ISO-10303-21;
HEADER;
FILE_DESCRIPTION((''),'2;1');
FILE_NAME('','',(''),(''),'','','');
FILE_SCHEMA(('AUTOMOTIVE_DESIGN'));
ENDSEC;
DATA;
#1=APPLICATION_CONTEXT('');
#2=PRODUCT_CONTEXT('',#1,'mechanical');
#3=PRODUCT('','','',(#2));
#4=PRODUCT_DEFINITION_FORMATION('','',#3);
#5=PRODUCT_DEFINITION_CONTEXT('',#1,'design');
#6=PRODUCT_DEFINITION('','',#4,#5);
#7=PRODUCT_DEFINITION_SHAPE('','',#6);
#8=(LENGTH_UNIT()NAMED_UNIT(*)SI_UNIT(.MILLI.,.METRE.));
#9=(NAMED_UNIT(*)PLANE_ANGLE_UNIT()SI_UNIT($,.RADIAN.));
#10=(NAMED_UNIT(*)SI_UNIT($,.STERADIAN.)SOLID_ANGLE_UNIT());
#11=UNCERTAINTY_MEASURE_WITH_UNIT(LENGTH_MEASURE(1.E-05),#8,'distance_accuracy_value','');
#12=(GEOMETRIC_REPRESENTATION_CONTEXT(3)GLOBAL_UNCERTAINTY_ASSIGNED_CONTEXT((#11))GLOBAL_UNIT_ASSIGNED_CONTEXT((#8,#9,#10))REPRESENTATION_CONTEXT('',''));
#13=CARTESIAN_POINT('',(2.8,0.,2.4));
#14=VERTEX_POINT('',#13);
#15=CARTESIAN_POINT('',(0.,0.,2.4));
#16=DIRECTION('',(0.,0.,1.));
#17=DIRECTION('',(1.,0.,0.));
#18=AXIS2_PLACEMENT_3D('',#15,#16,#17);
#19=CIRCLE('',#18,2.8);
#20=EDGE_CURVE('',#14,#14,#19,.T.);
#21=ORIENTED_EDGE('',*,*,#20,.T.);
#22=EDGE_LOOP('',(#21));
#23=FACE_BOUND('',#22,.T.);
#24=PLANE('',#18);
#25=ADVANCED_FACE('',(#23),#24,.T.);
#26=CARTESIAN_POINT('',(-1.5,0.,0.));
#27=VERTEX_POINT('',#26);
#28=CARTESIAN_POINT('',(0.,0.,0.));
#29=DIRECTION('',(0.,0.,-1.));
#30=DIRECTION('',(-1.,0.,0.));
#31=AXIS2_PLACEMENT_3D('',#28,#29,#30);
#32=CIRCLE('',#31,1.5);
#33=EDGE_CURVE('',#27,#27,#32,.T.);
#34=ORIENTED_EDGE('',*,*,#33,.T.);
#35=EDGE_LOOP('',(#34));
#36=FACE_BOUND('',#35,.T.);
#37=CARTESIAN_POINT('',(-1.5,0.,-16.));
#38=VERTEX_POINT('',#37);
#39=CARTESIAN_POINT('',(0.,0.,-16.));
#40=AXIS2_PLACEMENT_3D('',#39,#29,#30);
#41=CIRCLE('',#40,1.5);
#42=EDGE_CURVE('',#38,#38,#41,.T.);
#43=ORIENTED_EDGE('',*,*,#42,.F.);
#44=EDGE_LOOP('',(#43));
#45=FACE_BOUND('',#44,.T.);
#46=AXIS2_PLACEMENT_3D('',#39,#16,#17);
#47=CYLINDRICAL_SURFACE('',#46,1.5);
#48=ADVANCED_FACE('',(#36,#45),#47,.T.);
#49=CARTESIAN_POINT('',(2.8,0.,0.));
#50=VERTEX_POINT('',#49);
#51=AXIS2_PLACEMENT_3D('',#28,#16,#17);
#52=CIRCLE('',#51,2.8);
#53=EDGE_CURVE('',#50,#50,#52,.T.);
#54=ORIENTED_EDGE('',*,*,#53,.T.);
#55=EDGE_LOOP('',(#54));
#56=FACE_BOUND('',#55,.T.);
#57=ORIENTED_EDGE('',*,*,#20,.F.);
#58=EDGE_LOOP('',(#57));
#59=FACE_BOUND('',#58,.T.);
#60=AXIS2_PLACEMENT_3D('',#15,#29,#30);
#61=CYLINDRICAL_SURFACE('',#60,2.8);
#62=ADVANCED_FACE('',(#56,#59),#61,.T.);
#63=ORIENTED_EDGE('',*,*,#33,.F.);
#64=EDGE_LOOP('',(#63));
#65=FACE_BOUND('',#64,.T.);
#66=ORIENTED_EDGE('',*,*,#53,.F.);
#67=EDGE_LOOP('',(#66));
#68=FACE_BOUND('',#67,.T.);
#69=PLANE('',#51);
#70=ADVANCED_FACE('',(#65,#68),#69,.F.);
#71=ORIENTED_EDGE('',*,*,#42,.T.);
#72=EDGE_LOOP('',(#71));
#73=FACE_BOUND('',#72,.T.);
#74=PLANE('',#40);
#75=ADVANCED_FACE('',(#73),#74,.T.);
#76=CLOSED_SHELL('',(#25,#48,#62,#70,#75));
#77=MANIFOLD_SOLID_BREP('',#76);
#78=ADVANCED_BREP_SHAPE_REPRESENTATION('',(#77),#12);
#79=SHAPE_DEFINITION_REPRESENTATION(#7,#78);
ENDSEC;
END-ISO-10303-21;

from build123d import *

# Parameters (mm, degrees)
ESQUISSE1_R        = 2.8
BOSS_EXTRU_1_DEPTH = 2.4
ESQUISSE2_R        = 1.5
BOSS_EXTRU_2_DEPTH = 16


with BuildPart() as part:
    # Esquisse1 → Boss.-Extru.1 (new body)
    with BuildSketch(Plane.XY):
        Circle(ESQUISSE1_R)
    extrude(amount=BOSS_EXTRU_1_DEPTH)

    # Esquisse2 → Boss.-Extru.2 (add)
    with BuildSketch(Plane(origin=(0, 0, 0), x_dir=(-1, 0, 0), z_dir=(0, 0, -1))):
        Circle(ESQUISSE2_R)
    extrude(amount=BOSS_EXTRU_2_DEPTH)


solid = part.part
